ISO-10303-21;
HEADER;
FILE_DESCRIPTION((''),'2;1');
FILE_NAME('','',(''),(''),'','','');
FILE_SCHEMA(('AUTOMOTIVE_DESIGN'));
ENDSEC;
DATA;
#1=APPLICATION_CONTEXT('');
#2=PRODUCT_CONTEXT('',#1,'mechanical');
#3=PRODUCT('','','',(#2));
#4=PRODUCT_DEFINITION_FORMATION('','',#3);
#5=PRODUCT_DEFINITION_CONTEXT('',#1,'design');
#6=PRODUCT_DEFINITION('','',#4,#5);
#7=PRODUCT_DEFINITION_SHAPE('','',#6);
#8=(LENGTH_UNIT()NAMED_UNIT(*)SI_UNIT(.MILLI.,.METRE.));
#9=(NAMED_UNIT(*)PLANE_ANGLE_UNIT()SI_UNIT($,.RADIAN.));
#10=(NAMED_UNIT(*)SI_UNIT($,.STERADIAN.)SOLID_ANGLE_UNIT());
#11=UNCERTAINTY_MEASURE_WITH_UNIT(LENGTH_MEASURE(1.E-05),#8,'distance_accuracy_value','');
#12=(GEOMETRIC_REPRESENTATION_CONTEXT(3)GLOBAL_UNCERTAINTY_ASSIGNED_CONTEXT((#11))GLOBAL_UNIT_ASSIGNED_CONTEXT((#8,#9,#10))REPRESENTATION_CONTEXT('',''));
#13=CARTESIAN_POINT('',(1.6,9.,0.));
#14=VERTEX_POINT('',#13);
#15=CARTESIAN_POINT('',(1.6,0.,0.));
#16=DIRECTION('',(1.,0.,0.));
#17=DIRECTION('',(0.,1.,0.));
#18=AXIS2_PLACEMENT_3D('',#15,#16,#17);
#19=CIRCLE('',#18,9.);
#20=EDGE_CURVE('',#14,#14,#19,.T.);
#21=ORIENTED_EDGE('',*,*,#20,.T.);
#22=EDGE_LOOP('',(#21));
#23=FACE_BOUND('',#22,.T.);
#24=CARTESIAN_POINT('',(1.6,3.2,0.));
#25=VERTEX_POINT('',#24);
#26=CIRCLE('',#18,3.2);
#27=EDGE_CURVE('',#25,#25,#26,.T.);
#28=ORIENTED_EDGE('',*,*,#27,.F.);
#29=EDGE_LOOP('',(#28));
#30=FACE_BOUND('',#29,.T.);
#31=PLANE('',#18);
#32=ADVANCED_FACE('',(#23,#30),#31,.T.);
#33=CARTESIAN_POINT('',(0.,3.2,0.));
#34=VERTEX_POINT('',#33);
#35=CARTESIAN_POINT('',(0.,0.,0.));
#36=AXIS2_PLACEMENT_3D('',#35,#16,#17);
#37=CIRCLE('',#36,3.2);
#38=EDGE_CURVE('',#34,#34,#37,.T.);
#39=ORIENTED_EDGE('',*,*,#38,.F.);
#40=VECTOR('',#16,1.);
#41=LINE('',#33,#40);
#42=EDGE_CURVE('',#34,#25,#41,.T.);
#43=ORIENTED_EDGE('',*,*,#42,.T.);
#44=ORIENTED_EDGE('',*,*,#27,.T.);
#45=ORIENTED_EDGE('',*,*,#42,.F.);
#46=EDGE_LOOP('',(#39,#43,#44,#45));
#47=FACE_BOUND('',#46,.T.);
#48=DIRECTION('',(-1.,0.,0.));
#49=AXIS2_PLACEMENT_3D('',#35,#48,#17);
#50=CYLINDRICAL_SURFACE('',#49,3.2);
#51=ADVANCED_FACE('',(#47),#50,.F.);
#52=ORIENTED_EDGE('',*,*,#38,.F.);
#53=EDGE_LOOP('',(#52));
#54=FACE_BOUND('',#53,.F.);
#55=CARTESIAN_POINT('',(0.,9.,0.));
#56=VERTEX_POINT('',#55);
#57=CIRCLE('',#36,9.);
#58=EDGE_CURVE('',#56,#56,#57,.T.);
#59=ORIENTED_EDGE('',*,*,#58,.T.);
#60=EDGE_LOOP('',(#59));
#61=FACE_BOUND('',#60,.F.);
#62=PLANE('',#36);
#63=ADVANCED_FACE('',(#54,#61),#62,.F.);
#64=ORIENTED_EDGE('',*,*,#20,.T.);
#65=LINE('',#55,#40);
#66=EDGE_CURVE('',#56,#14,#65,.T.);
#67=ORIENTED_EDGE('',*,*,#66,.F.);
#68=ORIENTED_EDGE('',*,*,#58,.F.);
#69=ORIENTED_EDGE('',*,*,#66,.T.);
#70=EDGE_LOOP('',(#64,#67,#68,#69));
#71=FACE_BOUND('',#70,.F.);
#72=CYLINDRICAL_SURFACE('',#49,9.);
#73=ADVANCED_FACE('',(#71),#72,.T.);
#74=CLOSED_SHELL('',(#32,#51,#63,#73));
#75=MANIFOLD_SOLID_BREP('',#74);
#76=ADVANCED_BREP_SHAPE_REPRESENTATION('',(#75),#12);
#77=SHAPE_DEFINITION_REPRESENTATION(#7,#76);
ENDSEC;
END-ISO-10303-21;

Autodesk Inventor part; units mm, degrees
ref_plane "YZ Plane" through (0, 0, 0) normal (1, 0, 0) x (0, 1, 0)
ref_plane "XZ Plane" through (0, 0, 0) normal (0, 1, 0) x (-1, 0, 0)
sketch "Skizze" plane through (0, 0, 0) normal (1, 0, 0) x (0, 1, 0)
  circle A0 centre (0, 0) radius 9
  circle A1 centre (0, 0) radius 3.2
  dimension "d0" = 6.4
  dimension "d1" = 18
extrude "Körper" add sketch "Skizze" along normal blind 1.6
ref_plane "Work Plane1" through (0, 0, 0) normal (0, 0, 1) x (1, 0, 0)
equation "\"d0\" = SD1"
equation "\"d1\" = SD2"
equation "\"d2\" = SD"
equation "\"SD1\" = 6.4"
equation "\"SD2\" = 18"
equation "\"SD\" = 1.6"
equation "\"NND\" = 6"
properties part number "ISO 7093 A - ST 6 - 140 HV" material "Edelstahl"
